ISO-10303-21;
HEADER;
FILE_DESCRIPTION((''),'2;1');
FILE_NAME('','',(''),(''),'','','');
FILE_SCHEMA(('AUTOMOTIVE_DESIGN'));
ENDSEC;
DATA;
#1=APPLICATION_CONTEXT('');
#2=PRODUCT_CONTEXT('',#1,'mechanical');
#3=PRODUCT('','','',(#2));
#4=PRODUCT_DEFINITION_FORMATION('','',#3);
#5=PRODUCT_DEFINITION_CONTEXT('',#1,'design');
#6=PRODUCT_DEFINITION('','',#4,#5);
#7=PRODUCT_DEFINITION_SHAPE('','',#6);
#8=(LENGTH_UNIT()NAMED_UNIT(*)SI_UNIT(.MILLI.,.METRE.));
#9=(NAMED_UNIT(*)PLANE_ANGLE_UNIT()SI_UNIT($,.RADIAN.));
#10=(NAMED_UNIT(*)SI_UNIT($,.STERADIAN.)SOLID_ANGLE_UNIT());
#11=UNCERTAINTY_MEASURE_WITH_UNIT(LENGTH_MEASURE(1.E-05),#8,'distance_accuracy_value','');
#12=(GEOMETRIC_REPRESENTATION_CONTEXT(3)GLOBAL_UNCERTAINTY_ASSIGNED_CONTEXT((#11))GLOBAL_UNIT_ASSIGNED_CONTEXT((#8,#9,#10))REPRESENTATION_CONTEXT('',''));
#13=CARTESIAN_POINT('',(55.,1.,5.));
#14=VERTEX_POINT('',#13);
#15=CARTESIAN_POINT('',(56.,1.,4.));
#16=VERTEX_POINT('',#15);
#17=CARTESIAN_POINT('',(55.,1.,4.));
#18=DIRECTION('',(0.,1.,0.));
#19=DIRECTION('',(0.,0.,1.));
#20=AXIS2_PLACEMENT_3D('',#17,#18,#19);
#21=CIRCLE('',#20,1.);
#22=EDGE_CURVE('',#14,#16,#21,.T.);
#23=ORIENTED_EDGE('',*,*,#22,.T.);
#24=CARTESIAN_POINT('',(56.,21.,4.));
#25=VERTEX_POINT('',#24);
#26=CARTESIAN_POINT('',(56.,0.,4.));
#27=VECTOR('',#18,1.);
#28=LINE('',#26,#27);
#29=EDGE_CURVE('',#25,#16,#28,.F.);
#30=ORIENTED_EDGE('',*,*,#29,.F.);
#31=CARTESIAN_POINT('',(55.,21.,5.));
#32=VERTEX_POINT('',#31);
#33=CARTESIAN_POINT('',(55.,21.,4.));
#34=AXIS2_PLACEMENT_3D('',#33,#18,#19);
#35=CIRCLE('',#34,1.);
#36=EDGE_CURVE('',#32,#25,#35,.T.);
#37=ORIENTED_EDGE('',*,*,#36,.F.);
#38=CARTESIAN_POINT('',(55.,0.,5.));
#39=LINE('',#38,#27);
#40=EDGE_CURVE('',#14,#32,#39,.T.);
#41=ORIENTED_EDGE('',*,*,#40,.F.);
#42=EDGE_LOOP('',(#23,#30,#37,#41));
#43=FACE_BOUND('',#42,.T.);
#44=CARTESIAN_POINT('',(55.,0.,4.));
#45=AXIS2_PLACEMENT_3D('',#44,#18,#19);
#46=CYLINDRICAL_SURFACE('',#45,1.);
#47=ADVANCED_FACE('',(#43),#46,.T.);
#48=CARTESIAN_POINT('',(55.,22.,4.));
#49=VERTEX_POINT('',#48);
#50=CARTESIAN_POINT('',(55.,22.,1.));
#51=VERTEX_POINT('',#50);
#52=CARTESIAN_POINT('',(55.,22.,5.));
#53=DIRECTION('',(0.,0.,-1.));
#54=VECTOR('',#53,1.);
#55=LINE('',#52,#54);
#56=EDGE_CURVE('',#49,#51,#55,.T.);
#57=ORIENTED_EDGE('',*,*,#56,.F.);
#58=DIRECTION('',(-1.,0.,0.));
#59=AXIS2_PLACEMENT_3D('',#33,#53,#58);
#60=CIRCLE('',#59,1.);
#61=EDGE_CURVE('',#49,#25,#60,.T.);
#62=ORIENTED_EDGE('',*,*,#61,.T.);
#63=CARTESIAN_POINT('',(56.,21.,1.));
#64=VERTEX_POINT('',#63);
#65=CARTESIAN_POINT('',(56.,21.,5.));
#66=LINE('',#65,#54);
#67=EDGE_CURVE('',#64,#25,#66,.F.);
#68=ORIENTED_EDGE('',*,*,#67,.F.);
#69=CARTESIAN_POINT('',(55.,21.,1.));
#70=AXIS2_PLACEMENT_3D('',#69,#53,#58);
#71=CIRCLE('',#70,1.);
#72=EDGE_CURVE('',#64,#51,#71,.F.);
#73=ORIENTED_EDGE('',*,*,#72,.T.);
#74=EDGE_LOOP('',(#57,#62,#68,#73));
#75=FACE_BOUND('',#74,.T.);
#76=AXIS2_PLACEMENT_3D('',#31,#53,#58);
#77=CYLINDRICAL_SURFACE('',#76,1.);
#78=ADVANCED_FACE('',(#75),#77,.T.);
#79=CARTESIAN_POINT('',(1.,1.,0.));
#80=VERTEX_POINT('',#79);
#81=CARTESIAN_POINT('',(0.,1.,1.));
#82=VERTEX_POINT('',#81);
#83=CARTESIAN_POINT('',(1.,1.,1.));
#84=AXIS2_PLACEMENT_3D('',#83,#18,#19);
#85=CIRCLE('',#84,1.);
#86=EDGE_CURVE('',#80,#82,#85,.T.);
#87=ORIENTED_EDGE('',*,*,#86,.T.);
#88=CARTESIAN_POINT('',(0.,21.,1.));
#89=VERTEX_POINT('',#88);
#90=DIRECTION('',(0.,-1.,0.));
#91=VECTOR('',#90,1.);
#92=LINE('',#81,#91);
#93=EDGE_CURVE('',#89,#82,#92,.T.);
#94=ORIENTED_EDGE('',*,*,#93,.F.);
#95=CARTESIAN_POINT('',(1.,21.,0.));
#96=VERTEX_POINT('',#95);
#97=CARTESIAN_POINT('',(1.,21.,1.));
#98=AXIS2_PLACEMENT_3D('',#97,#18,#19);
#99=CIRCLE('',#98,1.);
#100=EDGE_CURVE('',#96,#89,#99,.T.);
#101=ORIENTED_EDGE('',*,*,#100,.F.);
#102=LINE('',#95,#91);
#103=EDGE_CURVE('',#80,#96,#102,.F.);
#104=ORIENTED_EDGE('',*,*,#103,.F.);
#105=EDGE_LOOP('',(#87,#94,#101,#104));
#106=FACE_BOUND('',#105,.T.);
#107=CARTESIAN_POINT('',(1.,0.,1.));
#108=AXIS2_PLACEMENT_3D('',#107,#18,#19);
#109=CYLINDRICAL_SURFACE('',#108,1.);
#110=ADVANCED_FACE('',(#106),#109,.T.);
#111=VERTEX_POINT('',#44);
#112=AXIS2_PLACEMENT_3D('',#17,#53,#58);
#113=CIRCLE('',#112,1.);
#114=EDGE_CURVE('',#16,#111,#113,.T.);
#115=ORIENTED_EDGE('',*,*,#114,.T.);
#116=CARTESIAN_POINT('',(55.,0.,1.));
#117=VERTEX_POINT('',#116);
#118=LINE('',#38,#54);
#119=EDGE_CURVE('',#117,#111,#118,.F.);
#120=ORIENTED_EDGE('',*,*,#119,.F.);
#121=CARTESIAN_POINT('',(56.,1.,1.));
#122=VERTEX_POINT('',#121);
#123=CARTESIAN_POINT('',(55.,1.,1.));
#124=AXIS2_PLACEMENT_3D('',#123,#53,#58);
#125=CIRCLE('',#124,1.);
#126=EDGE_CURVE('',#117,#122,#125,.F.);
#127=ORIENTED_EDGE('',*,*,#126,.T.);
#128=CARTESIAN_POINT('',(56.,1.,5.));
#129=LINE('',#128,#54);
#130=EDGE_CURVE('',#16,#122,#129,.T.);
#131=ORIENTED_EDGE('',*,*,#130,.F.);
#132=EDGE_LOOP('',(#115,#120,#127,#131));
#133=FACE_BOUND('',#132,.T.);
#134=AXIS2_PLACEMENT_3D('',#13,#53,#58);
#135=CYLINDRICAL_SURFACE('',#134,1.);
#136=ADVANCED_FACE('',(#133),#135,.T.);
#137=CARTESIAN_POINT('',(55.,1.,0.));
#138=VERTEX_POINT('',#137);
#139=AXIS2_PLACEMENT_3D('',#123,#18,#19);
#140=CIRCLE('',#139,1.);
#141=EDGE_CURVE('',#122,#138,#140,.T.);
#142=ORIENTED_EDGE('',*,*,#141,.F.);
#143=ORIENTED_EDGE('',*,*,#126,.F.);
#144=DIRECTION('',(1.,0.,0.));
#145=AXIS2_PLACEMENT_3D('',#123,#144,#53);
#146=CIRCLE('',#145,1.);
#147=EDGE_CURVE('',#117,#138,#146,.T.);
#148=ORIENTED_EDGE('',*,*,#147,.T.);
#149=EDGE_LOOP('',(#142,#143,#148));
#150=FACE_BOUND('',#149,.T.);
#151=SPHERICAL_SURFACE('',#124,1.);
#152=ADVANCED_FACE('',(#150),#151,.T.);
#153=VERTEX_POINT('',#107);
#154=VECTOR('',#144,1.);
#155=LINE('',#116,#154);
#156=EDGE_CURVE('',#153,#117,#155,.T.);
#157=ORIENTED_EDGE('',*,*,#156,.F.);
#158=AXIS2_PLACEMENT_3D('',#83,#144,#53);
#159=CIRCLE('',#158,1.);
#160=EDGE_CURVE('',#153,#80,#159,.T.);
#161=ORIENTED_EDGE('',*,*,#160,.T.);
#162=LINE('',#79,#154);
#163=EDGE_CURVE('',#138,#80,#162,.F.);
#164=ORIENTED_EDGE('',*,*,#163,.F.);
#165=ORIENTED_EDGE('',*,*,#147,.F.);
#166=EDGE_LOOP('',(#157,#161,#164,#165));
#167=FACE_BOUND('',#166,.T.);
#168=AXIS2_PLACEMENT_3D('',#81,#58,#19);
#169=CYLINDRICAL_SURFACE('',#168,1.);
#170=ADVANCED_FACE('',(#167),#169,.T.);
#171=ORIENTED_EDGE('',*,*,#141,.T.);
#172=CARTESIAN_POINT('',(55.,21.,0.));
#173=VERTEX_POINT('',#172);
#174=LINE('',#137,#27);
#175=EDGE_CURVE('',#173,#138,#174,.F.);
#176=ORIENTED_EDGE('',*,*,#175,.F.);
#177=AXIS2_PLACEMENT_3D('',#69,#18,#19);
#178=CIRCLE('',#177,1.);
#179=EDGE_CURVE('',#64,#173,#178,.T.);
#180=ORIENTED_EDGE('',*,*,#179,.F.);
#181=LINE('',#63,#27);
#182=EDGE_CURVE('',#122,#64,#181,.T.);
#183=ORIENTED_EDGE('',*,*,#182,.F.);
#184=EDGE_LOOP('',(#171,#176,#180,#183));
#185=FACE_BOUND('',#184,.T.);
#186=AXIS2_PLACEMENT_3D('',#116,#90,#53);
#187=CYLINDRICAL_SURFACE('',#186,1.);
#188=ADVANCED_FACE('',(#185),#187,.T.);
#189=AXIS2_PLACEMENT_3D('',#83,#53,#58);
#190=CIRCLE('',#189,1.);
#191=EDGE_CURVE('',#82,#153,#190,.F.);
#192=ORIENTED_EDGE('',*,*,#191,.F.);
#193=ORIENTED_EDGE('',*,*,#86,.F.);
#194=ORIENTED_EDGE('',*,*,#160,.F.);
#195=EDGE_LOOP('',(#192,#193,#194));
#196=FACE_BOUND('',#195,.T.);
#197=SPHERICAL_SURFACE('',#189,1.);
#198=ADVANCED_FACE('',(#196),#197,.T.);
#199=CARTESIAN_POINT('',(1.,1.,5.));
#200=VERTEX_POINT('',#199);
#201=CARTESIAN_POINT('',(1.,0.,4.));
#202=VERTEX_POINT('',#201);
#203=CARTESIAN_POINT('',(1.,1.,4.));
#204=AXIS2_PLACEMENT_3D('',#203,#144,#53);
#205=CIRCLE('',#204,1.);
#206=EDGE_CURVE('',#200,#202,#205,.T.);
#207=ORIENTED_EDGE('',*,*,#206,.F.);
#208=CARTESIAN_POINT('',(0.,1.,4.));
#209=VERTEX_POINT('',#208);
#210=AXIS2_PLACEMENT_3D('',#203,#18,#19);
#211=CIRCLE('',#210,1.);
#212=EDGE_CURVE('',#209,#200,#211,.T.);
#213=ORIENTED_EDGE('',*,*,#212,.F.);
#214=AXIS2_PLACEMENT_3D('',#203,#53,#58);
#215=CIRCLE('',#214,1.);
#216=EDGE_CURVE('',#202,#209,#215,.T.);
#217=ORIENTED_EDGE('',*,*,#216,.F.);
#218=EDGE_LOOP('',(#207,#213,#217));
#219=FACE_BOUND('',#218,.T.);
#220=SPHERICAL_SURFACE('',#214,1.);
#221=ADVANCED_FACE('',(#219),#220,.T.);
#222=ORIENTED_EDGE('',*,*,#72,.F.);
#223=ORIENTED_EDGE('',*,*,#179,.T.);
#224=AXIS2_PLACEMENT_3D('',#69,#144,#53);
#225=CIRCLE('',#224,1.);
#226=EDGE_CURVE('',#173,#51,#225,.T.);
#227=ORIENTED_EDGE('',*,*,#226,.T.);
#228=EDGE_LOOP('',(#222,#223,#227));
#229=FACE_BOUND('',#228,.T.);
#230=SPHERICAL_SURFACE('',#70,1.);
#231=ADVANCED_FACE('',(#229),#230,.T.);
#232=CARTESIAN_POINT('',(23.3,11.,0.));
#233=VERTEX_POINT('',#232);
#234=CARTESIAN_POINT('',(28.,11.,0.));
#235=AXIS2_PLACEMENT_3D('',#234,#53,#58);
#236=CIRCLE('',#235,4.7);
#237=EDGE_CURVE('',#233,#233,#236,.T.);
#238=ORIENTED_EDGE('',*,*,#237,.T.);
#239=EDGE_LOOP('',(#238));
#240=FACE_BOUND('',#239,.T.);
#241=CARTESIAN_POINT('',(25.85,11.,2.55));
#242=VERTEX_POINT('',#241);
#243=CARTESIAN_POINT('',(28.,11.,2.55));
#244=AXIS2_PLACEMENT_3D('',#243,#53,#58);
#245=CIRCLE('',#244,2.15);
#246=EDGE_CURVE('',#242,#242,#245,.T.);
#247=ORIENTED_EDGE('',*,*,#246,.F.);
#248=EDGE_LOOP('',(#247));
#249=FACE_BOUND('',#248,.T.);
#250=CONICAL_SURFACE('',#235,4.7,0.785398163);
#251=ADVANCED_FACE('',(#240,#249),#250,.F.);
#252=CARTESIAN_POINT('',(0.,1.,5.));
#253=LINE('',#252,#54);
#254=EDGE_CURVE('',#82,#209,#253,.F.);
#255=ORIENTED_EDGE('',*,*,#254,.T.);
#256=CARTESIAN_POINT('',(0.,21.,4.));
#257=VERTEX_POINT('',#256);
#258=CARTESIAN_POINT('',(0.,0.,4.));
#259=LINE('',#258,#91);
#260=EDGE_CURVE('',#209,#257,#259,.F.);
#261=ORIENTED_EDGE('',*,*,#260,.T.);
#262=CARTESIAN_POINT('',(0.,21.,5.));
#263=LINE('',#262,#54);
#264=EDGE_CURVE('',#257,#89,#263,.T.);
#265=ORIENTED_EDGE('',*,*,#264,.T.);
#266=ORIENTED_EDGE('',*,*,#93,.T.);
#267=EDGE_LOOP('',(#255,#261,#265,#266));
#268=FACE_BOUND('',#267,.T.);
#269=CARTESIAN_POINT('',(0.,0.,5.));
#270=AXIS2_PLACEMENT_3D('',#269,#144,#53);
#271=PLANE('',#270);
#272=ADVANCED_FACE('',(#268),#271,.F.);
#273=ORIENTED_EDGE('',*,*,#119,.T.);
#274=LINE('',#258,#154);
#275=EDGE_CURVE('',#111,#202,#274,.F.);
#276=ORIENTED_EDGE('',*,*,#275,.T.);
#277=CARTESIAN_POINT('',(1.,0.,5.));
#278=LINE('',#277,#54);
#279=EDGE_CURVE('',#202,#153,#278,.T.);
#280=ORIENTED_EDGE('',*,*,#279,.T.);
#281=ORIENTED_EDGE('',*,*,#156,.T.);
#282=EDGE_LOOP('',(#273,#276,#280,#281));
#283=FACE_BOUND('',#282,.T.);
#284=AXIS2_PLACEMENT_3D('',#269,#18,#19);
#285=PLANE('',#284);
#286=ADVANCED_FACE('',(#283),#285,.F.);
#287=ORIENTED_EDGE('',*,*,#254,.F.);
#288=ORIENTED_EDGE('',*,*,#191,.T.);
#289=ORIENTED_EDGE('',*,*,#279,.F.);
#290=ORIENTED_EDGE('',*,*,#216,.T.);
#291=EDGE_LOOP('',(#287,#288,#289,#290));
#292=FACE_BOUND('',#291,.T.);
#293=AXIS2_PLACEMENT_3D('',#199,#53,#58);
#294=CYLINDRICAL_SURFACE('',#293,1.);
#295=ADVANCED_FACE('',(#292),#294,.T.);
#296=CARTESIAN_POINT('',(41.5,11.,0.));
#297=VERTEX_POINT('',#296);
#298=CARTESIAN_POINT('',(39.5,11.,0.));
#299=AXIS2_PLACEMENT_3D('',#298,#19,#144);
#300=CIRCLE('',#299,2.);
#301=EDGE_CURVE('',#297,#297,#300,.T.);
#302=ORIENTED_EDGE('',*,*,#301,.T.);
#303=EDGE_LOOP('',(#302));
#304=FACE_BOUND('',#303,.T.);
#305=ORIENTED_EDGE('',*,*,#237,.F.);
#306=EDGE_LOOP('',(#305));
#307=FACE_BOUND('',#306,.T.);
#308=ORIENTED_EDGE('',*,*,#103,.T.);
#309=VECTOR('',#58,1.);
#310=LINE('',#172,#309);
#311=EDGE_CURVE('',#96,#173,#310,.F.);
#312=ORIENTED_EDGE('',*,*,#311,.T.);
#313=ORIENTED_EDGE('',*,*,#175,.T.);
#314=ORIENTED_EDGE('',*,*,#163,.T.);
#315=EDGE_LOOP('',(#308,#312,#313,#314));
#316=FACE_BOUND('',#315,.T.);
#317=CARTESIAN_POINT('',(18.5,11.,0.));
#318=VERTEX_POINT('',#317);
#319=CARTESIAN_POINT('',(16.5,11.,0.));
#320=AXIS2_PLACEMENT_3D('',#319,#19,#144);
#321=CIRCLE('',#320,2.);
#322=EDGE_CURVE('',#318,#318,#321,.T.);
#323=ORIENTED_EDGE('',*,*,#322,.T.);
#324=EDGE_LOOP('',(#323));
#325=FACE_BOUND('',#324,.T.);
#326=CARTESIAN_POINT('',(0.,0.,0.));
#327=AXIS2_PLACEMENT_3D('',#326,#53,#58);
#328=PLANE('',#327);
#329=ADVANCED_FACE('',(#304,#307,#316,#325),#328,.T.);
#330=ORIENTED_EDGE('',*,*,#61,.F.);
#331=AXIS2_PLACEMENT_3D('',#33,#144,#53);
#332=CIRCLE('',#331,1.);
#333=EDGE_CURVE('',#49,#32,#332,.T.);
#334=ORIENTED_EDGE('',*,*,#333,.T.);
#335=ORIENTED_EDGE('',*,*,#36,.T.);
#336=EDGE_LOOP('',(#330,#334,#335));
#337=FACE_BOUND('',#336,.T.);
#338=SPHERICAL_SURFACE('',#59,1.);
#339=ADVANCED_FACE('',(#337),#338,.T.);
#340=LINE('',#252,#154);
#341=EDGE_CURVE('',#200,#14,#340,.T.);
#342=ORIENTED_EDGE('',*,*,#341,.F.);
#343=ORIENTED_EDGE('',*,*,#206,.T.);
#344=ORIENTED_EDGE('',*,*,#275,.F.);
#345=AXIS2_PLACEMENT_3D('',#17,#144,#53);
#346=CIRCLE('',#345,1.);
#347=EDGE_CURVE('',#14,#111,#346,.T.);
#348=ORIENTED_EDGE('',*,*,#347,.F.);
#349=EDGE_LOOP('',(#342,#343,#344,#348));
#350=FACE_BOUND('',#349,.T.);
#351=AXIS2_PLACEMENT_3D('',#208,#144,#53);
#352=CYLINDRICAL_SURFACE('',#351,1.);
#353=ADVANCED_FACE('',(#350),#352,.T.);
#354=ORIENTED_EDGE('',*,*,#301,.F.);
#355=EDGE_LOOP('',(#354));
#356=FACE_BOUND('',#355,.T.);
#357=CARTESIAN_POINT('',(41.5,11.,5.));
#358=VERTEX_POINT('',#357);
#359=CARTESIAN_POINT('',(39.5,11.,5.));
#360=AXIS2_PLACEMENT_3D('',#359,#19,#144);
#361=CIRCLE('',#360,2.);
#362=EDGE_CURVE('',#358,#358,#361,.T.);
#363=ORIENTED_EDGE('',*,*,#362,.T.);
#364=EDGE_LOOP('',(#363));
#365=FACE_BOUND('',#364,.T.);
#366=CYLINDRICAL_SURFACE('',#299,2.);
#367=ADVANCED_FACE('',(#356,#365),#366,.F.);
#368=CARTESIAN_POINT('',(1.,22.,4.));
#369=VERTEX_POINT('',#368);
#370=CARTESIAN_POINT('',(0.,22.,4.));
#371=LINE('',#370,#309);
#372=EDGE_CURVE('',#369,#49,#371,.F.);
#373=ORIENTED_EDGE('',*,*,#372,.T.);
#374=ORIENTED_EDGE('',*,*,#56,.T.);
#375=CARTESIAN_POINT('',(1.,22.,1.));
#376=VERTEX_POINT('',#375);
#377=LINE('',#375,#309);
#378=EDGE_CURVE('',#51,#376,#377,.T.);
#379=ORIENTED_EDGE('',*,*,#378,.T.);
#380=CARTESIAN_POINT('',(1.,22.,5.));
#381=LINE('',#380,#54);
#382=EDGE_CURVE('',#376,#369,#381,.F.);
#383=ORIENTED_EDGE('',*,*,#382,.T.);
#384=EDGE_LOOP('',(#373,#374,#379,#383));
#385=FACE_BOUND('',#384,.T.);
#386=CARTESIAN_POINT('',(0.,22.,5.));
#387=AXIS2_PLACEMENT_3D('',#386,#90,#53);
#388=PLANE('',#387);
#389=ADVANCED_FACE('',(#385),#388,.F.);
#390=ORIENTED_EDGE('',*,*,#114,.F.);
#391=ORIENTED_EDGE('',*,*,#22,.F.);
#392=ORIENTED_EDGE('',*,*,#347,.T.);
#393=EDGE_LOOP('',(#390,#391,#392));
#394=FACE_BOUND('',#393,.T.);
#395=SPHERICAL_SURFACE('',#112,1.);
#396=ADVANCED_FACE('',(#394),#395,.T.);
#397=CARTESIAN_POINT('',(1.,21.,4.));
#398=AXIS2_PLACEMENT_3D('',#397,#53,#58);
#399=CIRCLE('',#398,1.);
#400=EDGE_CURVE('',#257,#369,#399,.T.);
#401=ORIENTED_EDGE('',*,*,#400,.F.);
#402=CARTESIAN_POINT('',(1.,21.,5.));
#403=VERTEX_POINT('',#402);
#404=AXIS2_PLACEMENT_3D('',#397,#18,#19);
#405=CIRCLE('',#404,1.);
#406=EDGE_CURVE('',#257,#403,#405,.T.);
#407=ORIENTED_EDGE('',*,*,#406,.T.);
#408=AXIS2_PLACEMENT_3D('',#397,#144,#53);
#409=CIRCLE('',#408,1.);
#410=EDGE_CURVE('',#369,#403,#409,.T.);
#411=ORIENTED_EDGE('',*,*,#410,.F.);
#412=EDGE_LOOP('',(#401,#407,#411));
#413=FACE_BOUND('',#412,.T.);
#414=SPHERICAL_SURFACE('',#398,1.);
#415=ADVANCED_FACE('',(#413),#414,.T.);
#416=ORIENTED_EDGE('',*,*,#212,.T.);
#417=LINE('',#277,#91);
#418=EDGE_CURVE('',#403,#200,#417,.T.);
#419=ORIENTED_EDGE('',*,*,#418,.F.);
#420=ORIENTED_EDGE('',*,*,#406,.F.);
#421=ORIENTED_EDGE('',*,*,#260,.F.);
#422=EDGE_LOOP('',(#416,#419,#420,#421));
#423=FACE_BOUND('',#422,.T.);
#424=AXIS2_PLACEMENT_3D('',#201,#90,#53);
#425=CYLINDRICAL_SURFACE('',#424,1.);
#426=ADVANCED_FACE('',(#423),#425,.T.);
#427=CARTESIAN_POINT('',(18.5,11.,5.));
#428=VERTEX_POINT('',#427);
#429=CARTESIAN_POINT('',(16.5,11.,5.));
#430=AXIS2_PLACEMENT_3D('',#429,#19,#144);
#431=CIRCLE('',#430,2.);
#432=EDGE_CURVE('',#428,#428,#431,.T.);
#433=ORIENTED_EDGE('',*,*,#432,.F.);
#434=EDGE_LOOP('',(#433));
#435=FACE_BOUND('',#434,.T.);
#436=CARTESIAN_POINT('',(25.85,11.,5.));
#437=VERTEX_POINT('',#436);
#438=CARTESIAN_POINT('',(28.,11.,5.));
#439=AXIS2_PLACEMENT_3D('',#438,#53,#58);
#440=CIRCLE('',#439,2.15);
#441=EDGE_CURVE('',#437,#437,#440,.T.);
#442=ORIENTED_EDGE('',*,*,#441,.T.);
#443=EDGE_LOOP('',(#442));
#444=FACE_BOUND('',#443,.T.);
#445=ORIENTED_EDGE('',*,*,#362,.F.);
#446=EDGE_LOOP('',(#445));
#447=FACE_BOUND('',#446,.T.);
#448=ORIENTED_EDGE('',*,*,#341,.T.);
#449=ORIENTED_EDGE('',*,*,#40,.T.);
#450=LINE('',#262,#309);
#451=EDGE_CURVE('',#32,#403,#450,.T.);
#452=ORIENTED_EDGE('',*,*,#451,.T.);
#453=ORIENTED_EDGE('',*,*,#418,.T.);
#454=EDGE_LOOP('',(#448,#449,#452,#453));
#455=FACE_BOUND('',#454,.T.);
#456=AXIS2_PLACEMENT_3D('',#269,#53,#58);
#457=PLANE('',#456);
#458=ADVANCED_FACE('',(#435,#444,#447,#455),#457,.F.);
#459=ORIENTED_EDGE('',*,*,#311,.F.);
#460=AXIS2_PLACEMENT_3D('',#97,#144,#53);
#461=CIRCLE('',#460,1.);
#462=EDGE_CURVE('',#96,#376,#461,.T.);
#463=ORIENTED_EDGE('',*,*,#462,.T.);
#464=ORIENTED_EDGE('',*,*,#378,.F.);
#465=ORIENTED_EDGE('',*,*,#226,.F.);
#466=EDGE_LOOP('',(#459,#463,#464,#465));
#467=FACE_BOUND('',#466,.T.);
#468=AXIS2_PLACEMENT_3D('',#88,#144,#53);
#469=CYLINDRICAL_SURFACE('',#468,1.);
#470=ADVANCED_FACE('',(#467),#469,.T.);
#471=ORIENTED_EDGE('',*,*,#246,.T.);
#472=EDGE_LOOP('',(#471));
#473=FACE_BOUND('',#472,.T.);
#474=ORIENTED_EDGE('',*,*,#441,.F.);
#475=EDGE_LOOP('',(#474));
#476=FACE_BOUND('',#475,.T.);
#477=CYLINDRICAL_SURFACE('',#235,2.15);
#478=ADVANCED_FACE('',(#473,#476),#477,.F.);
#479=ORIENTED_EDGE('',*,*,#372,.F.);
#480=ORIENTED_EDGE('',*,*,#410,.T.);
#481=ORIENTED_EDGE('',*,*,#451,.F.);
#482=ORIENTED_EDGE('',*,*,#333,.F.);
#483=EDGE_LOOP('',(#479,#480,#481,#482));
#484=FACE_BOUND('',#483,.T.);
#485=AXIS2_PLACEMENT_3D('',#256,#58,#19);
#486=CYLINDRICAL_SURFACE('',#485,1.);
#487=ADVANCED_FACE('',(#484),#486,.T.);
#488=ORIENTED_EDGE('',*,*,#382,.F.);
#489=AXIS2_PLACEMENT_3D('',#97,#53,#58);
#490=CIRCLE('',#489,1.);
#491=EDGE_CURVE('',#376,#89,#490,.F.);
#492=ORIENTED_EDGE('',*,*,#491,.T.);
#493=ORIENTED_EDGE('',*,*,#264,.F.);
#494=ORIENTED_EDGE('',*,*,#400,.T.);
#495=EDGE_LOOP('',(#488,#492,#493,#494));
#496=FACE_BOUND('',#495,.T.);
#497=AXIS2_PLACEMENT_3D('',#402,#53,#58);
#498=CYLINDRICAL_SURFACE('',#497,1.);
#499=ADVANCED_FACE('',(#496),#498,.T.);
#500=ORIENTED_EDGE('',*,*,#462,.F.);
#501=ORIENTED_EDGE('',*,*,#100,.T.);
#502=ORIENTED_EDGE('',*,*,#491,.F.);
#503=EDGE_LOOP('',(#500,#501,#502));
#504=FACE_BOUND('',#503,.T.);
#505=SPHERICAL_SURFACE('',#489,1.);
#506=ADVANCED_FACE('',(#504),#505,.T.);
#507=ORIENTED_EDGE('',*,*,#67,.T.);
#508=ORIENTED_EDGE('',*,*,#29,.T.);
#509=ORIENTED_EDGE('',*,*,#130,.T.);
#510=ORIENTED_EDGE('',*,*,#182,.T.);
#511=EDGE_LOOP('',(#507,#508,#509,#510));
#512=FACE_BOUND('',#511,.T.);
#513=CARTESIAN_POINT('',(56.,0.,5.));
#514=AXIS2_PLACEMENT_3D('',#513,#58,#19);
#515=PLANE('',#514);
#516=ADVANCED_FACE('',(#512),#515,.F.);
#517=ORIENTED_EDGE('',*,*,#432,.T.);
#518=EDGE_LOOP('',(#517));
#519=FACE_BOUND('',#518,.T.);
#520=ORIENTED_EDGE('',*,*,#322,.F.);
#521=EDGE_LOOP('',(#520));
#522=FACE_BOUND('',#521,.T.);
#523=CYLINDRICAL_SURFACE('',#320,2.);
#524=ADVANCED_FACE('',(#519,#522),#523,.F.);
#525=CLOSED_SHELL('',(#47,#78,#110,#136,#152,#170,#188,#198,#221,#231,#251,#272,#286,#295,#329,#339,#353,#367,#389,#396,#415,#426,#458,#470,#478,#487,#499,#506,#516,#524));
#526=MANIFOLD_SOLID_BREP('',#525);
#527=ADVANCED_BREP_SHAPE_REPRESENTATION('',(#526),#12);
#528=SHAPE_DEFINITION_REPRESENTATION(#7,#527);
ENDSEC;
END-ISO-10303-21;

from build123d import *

# Parameters (mm, degrees)
SKETCH_BASE_W                                   = 56
SKETCH_BASE_H                                   = 22
BASE_EXTRUDE_DEPTH                              = 5
SKETCH2_R                                       = 2
MOUNTING_HOLES_DEPTH                            = 61.373835392
SMALL_EDGE_FILLET_R                             = 1
FILLET4_R                                       = 1
CSK_FOR_M4_FLAT_HEAD_MACHINE_SCREW4_D           = 4.3
CSK_FOR_M4_FLAT_HEAD_MACHINE_SCREW4_CSINK_D     = 9.4
CSK_FOR_M4_FLAT_HEAD_MACHINE_SCREW4_CSINK_ANGLE = 90


with BuildPart() as part:
    # Sketch-Base → Base-Extrude (new body)
    with BuildSketch(Plane.XY):
        with Locations((28, 11)):
            Rectangle(SKETCH_BASE_W, SKETCH_BASE_H)
    extrude(amount=BASE_EXTRUDE_DEPTH)

    # Sketch2 → Mounting Holes (cut, through all)
    with BuildSketch(Plane.XY.offset(5)):
        with Locations((16.5, 11)):
            Circle(SKETCH2_R)
        with Locations((39.5, 11)):
            Circle(SKETCH2_R)
    extrude(amount=-MOUNTING_HOLES_DEPTH, mode=Mode.SUBTRACT)

    # Small Edge Fillet
    small_edge_fillet_edges = [part.edges().sort_by_distance(p)[0] for p in [
        (0, 22, 2.5),
        (56, 22, 2.5),
        (56, 0, 2.5),
        (0, 0, 2.5),
    ]]
    fillet(small_edge_fillet_edges, radius=SMALL_EDGE_FILLET_R)

    # Fillet4
    fillet4_edges = [part.edges().sort_by_distance(p)[0] for p in [
        (28, 22, 0),
        (28, 22, 5),
        (0, 11, 0),
        (56, 11, 0),
        (28, 0, 0),
        (0.292893219, 21.707106781, 0),
        (0.292893219, 0.292893219, 0),
        (55.707106781, 0.292893219, 0),
        (55.707106781, 21.707106781, 0),
        (56, 11, 5),
        (0, 11, 5),
        (28, 0, 5),
        (0.292893219, 21.707106781, 5),
        (0.292893219, 0.292893219, 5),
        (55.707106781, 0.292893219, 5),
        (55.707106781, 21.707106781, 5),
    ]]
    fillet(fillet4_edges, radius=FILLET4_R)

    # CSK for M4 Flat Head Machine Screw4 (through all)
    with Locations(Plane(origin=(28, 11, 0), x_dir=(-1, 0, 0), z_dir=(0, 0, -1))):
        with Locations((0, 0)):
            CounterSinkHole(CSK_FOR_M4_FLAT_HEAD_MACHINE_SCREW4_D / 2, CSK_FOR_M4_FLAT_HEAD_MACHINE_SCREW4_CSINK_D / 2, counter_sink_angle=CSK_FOR_M4_FLAT_HEAD_MACHINE_SCREW4_CSINK_ANGLE)


solid = part.part
